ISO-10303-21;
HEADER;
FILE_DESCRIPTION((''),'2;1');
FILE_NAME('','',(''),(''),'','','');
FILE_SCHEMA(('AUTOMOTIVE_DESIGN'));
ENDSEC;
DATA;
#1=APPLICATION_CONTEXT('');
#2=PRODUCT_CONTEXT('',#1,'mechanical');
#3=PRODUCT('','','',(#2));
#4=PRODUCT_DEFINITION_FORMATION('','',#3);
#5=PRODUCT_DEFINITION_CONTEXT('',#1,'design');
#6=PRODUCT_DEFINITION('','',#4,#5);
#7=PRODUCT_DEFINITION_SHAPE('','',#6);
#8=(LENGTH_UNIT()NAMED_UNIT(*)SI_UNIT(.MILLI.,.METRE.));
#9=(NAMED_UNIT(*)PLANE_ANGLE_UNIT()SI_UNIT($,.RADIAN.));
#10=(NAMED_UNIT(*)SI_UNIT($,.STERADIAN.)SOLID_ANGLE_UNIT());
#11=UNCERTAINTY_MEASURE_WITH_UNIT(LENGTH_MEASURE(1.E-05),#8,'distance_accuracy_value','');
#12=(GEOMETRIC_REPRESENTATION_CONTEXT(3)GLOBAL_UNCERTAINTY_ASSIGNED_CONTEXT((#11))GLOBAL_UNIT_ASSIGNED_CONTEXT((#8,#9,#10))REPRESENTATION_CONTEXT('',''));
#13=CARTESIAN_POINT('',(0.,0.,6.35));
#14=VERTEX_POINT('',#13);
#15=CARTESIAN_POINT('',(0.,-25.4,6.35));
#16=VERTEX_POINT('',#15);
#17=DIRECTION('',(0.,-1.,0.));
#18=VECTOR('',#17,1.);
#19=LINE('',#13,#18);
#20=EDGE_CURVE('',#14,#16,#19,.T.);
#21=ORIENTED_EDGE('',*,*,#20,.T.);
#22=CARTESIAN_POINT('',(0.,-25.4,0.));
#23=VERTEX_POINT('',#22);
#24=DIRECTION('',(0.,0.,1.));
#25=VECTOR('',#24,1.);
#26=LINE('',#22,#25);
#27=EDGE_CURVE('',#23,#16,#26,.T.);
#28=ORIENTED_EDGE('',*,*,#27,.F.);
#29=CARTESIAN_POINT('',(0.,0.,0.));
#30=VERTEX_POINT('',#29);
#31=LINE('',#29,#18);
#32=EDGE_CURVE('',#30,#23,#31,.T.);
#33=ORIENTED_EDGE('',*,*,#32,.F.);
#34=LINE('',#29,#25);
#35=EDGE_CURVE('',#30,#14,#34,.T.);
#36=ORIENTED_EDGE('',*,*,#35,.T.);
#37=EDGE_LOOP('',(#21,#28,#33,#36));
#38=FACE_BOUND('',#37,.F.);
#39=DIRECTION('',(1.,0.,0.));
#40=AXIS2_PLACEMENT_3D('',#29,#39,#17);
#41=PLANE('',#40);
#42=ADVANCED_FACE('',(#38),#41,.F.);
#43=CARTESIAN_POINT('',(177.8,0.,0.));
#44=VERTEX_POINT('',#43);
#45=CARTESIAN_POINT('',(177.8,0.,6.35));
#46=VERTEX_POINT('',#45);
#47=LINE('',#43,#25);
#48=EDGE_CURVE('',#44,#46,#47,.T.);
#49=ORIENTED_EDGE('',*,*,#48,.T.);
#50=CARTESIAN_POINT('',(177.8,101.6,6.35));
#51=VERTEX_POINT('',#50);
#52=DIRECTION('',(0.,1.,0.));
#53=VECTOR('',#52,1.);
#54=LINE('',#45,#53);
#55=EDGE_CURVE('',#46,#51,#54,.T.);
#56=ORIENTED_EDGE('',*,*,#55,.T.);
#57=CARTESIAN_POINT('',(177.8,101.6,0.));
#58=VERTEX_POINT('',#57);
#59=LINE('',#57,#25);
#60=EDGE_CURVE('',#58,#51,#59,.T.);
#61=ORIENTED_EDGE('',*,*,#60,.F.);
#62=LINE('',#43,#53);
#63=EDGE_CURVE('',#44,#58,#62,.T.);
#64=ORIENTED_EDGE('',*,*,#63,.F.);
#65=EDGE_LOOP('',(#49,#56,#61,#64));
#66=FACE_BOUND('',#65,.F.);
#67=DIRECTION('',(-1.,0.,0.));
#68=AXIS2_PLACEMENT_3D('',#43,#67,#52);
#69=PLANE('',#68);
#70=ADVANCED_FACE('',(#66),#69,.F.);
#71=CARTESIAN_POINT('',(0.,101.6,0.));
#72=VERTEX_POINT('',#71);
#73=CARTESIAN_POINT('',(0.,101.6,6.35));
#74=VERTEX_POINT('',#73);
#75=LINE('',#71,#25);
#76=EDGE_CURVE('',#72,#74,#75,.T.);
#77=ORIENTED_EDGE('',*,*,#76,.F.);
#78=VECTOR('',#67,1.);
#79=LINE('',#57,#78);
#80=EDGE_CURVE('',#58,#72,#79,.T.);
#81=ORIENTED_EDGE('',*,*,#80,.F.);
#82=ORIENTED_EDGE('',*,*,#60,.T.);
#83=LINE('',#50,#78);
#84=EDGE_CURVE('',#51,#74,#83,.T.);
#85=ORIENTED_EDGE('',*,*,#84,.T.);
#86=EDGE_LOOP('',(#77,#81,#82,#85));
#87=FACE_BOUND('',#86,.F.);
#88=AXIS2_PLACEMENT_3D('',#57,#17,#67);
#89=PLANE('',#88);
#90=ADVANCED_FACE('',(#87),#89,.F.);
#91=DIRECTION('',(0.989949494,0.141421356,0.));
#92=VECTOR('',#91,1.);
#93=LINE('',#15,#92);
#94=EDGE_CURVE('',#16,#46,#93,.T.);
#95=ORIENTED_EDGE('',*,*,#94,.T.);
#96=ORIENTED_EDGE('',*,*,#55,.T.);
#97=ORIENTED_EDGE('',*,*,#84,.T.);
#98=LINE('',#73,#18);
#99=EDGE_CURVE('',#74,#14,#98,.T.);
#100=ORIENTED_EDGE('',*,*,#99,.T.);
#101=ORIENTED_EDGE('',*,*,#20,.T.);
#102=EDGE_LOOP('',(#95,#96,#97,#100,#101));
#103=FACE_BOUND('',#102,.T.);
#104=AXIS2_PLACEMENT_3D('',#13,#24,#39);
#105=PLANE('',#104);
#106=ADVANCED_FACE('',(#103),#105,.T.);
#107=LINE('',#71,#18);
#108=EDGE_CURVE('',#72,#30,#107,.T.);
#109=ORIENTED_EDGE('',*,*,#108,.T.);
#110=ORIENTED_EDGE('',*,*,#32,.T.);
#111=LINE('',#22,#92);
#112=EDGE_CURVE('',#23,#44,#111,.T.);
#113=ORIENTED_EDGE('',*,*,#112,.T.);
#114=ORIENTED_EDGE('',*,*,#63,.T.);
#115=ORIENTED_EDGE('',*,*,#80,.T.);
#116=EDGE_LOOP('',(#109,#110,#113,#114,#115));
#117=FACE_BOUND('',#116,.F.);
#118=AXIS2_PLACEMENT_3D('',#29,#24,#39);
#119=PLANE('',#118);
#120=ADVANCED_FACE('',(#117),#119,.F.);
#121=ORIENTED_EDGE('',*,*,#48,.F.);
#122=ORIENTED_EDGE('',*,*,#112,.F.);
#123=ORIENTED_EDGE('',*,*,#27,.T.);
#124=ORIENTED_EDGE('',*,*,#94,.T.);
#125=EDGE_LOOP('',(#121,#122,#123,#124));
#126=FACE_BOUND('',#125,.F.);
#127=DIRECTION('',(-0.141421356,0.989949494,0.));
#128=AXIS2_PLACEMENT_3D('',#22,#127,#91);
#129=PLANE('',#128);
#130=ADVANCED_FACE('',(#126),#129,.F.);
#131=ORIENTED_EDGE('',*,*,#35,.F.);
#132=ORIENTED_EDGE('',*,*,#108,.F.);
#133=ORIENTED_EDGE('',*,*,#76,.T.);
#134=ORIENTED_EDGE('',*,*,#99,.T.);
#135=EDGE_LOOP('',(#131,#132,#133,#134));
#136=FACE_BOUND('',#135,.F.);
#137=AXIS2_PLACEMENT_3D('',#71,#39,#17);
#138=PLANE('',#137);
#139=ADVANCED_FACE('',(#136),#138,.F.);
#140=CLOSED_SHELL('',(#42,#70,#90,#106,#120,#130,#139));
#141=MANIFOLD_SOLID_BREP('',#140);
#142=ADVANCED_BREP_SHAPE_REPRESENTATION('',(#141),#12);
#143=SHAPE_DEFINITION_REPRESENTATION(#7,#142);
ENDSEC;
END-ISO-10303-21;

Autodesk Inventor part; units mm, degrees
ref_plane "YZ Plane" through (0, 0, 0) normal (1, 0, 0) x (0, 1, 0)
ref_plane "XZ Plane" through (0, 0, 0) normal (0, 1, 0) x (-1, 0, 0)
ref_plane "XY Plane" through (0, 0, 0) normal (0, 0, 1) x (1, 0, 0)
sketch "Sketch1" plane through (0, 0, 0) normal (0, 0, 1) x (1, 0, 0)
  line L0 (0, 0) -> (177.8, 0) construction
  line L1 (177.8, 0) -> (177.8, 101.6)
  line L2 (177.8, 101.6) -> (0, 101.6)
  line L3 (0, 101.6) -> (0, 0)
  line L4 (0, 0) -> (0, -25.4)
  line L5 (0, -25.4) -> (177.8, 0)
  dimension "d0" = 177.8
  dimension "d1" = 101.6
  dimension "d4" = 25.4
extrude "Extrusion1" add sketch "Sketch1" along normal blind 6.35
properties part number "8 ball funnel plate"
